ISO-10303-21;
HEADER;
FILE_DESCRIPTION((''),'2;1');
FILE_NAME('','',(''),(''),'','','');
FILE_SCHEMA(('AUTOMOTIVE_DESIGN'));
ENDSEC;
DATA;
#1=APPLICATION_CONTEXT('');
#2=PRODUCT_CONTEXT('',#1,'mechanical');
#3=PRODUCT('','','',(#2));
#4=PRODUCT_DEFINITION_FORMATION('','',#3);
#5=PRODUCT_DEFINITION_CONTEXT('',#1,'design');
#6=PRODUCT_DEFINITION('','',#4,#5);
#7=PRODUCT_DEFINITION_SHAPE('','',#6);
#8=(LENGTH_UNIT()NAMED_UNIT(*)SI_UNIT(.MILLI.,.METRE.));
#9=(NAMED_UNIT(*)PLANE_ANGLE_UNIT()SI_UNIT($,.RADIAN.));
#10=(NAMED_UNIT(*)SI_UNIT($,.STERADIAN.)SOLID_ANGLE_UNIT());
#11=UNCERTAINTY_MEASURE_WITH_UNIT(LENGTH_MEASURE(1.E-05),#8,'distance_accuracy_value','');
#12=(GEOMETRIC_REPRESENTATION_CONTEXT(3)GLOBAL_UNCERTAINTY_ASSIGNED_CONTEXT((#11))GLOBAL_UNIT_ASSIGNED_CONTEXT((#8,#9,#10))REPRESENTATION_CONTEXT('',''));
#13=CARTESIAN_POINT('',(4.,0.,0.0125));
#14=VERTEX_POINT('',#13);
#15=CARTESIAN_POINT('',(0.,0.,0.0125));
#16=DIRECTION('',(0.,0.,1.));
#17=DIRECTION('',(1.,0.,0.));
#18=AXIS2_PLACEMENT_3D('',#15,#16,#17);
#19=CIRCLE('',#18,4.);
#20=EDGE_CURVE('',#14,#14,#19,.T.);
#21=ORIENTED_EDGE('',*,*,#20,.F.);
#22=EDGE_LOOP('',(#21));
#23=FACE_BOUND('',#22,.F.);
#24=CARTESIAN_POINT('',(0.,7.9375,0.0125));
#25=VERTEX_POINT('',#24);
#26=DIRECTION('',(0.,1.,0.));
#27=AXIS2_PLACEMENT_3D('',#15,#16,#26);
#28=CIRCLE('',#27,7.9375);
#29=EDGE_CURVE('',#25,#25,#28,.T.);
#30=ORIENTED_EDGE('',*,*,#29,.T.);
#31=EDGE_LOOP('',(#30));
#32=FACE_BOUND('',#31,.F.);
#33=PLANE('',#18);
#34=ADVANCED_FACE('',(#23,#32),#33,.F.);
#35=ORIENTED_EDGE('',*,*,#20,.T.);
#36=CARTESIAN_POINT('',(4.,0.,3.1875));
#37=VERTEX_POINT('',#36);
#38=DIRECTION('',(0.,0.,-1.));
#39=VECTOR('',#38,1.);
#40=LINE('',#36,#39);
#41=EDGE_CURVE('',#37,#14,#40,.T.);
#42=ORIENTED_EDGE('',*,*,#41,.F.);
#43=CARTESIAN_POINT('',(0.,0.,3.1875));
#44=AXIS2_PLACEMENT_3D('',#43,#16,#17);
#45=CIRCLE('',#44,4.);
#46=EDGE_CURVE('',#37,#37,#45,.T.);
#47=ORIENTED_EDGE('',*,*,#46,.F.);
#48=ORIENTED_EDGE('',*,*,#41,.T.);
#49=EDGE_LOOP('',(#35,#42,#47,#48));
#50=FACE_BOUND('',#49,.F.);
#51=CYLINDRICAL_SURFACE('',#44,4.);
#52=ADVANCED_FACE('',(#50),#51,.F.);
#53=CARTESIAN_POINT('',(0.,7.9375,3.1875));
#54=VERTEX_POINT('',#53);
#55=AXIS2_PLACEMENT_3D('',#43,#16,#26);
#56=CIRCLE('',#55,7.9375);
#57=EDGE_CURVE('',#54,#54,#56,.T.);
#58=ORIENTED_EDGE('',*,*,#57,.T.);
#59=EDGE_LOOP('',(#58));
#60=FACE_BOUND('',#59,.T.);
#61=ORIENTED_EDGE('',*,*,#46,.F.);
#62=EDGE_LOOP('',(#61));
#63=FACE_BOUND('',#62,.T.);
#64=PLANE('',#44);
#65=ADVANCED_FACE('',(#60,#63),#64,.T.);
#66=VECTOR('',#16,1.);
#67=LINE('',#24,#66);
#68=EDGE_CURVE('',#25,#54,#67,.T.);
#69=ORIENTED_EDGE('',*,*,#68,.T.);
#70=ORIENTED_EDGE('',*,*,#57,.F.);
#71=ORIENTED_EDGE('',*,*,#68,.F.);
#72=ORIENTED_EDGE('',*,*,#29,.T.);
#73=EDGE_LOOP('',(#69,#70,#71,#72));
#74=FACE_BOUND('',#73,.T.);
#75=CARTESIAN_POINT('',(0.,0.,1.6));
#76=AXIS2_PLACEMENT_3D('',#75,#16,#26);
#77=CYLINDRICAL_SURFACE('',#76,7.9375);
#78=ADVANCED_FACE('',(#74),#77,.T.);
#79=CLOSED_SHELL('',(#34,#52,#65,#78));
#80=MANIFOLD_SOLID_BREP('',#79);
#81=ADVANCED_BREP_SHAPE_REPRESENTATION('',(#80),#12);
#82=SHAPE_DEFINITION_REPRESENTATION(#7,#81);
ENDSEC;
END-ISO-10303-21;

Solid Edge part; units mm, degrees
sketch "Sketch1" plane through (0, 0, 0) normal (0, 0, 1) x (1, 0, 0)
  circle A0 centre (0, 0) radius 6
  circle A1 centre (0, 0) radius 3.2
extrude "Protrusion1" add sketch "Sketch1" along normal blind 1.6
sketch "Sketch2" plane through (0, 0, 1.6) normal (0, 0, 1) x (0, 1, 0)
  circle A0 centre (0, 0) radius 7.9375
extrude "Protrusion2" add sketch "Sketch2" along normal mid plane 3.175
sketch "Sketch3" plane through (0, 0, 3.1875) normal (0, 0, 1) x (1, 0, 0)
  circle A0 centre (0, 0) radius 4
extrude "ExtrudedCutout_1" cut sketch "Sketch3" against normal blind 10.8687
sketch "Sketch4" plane through (0, 0, 0) normal (0, 0, -1) x (0, 1, 0)
  circle A0 centre (0, 0) radius 6
extrude "Cutout1" cut sketch "Sketch4" against normal up to vertex (0.0125 mm away)
properties material "Steel"
